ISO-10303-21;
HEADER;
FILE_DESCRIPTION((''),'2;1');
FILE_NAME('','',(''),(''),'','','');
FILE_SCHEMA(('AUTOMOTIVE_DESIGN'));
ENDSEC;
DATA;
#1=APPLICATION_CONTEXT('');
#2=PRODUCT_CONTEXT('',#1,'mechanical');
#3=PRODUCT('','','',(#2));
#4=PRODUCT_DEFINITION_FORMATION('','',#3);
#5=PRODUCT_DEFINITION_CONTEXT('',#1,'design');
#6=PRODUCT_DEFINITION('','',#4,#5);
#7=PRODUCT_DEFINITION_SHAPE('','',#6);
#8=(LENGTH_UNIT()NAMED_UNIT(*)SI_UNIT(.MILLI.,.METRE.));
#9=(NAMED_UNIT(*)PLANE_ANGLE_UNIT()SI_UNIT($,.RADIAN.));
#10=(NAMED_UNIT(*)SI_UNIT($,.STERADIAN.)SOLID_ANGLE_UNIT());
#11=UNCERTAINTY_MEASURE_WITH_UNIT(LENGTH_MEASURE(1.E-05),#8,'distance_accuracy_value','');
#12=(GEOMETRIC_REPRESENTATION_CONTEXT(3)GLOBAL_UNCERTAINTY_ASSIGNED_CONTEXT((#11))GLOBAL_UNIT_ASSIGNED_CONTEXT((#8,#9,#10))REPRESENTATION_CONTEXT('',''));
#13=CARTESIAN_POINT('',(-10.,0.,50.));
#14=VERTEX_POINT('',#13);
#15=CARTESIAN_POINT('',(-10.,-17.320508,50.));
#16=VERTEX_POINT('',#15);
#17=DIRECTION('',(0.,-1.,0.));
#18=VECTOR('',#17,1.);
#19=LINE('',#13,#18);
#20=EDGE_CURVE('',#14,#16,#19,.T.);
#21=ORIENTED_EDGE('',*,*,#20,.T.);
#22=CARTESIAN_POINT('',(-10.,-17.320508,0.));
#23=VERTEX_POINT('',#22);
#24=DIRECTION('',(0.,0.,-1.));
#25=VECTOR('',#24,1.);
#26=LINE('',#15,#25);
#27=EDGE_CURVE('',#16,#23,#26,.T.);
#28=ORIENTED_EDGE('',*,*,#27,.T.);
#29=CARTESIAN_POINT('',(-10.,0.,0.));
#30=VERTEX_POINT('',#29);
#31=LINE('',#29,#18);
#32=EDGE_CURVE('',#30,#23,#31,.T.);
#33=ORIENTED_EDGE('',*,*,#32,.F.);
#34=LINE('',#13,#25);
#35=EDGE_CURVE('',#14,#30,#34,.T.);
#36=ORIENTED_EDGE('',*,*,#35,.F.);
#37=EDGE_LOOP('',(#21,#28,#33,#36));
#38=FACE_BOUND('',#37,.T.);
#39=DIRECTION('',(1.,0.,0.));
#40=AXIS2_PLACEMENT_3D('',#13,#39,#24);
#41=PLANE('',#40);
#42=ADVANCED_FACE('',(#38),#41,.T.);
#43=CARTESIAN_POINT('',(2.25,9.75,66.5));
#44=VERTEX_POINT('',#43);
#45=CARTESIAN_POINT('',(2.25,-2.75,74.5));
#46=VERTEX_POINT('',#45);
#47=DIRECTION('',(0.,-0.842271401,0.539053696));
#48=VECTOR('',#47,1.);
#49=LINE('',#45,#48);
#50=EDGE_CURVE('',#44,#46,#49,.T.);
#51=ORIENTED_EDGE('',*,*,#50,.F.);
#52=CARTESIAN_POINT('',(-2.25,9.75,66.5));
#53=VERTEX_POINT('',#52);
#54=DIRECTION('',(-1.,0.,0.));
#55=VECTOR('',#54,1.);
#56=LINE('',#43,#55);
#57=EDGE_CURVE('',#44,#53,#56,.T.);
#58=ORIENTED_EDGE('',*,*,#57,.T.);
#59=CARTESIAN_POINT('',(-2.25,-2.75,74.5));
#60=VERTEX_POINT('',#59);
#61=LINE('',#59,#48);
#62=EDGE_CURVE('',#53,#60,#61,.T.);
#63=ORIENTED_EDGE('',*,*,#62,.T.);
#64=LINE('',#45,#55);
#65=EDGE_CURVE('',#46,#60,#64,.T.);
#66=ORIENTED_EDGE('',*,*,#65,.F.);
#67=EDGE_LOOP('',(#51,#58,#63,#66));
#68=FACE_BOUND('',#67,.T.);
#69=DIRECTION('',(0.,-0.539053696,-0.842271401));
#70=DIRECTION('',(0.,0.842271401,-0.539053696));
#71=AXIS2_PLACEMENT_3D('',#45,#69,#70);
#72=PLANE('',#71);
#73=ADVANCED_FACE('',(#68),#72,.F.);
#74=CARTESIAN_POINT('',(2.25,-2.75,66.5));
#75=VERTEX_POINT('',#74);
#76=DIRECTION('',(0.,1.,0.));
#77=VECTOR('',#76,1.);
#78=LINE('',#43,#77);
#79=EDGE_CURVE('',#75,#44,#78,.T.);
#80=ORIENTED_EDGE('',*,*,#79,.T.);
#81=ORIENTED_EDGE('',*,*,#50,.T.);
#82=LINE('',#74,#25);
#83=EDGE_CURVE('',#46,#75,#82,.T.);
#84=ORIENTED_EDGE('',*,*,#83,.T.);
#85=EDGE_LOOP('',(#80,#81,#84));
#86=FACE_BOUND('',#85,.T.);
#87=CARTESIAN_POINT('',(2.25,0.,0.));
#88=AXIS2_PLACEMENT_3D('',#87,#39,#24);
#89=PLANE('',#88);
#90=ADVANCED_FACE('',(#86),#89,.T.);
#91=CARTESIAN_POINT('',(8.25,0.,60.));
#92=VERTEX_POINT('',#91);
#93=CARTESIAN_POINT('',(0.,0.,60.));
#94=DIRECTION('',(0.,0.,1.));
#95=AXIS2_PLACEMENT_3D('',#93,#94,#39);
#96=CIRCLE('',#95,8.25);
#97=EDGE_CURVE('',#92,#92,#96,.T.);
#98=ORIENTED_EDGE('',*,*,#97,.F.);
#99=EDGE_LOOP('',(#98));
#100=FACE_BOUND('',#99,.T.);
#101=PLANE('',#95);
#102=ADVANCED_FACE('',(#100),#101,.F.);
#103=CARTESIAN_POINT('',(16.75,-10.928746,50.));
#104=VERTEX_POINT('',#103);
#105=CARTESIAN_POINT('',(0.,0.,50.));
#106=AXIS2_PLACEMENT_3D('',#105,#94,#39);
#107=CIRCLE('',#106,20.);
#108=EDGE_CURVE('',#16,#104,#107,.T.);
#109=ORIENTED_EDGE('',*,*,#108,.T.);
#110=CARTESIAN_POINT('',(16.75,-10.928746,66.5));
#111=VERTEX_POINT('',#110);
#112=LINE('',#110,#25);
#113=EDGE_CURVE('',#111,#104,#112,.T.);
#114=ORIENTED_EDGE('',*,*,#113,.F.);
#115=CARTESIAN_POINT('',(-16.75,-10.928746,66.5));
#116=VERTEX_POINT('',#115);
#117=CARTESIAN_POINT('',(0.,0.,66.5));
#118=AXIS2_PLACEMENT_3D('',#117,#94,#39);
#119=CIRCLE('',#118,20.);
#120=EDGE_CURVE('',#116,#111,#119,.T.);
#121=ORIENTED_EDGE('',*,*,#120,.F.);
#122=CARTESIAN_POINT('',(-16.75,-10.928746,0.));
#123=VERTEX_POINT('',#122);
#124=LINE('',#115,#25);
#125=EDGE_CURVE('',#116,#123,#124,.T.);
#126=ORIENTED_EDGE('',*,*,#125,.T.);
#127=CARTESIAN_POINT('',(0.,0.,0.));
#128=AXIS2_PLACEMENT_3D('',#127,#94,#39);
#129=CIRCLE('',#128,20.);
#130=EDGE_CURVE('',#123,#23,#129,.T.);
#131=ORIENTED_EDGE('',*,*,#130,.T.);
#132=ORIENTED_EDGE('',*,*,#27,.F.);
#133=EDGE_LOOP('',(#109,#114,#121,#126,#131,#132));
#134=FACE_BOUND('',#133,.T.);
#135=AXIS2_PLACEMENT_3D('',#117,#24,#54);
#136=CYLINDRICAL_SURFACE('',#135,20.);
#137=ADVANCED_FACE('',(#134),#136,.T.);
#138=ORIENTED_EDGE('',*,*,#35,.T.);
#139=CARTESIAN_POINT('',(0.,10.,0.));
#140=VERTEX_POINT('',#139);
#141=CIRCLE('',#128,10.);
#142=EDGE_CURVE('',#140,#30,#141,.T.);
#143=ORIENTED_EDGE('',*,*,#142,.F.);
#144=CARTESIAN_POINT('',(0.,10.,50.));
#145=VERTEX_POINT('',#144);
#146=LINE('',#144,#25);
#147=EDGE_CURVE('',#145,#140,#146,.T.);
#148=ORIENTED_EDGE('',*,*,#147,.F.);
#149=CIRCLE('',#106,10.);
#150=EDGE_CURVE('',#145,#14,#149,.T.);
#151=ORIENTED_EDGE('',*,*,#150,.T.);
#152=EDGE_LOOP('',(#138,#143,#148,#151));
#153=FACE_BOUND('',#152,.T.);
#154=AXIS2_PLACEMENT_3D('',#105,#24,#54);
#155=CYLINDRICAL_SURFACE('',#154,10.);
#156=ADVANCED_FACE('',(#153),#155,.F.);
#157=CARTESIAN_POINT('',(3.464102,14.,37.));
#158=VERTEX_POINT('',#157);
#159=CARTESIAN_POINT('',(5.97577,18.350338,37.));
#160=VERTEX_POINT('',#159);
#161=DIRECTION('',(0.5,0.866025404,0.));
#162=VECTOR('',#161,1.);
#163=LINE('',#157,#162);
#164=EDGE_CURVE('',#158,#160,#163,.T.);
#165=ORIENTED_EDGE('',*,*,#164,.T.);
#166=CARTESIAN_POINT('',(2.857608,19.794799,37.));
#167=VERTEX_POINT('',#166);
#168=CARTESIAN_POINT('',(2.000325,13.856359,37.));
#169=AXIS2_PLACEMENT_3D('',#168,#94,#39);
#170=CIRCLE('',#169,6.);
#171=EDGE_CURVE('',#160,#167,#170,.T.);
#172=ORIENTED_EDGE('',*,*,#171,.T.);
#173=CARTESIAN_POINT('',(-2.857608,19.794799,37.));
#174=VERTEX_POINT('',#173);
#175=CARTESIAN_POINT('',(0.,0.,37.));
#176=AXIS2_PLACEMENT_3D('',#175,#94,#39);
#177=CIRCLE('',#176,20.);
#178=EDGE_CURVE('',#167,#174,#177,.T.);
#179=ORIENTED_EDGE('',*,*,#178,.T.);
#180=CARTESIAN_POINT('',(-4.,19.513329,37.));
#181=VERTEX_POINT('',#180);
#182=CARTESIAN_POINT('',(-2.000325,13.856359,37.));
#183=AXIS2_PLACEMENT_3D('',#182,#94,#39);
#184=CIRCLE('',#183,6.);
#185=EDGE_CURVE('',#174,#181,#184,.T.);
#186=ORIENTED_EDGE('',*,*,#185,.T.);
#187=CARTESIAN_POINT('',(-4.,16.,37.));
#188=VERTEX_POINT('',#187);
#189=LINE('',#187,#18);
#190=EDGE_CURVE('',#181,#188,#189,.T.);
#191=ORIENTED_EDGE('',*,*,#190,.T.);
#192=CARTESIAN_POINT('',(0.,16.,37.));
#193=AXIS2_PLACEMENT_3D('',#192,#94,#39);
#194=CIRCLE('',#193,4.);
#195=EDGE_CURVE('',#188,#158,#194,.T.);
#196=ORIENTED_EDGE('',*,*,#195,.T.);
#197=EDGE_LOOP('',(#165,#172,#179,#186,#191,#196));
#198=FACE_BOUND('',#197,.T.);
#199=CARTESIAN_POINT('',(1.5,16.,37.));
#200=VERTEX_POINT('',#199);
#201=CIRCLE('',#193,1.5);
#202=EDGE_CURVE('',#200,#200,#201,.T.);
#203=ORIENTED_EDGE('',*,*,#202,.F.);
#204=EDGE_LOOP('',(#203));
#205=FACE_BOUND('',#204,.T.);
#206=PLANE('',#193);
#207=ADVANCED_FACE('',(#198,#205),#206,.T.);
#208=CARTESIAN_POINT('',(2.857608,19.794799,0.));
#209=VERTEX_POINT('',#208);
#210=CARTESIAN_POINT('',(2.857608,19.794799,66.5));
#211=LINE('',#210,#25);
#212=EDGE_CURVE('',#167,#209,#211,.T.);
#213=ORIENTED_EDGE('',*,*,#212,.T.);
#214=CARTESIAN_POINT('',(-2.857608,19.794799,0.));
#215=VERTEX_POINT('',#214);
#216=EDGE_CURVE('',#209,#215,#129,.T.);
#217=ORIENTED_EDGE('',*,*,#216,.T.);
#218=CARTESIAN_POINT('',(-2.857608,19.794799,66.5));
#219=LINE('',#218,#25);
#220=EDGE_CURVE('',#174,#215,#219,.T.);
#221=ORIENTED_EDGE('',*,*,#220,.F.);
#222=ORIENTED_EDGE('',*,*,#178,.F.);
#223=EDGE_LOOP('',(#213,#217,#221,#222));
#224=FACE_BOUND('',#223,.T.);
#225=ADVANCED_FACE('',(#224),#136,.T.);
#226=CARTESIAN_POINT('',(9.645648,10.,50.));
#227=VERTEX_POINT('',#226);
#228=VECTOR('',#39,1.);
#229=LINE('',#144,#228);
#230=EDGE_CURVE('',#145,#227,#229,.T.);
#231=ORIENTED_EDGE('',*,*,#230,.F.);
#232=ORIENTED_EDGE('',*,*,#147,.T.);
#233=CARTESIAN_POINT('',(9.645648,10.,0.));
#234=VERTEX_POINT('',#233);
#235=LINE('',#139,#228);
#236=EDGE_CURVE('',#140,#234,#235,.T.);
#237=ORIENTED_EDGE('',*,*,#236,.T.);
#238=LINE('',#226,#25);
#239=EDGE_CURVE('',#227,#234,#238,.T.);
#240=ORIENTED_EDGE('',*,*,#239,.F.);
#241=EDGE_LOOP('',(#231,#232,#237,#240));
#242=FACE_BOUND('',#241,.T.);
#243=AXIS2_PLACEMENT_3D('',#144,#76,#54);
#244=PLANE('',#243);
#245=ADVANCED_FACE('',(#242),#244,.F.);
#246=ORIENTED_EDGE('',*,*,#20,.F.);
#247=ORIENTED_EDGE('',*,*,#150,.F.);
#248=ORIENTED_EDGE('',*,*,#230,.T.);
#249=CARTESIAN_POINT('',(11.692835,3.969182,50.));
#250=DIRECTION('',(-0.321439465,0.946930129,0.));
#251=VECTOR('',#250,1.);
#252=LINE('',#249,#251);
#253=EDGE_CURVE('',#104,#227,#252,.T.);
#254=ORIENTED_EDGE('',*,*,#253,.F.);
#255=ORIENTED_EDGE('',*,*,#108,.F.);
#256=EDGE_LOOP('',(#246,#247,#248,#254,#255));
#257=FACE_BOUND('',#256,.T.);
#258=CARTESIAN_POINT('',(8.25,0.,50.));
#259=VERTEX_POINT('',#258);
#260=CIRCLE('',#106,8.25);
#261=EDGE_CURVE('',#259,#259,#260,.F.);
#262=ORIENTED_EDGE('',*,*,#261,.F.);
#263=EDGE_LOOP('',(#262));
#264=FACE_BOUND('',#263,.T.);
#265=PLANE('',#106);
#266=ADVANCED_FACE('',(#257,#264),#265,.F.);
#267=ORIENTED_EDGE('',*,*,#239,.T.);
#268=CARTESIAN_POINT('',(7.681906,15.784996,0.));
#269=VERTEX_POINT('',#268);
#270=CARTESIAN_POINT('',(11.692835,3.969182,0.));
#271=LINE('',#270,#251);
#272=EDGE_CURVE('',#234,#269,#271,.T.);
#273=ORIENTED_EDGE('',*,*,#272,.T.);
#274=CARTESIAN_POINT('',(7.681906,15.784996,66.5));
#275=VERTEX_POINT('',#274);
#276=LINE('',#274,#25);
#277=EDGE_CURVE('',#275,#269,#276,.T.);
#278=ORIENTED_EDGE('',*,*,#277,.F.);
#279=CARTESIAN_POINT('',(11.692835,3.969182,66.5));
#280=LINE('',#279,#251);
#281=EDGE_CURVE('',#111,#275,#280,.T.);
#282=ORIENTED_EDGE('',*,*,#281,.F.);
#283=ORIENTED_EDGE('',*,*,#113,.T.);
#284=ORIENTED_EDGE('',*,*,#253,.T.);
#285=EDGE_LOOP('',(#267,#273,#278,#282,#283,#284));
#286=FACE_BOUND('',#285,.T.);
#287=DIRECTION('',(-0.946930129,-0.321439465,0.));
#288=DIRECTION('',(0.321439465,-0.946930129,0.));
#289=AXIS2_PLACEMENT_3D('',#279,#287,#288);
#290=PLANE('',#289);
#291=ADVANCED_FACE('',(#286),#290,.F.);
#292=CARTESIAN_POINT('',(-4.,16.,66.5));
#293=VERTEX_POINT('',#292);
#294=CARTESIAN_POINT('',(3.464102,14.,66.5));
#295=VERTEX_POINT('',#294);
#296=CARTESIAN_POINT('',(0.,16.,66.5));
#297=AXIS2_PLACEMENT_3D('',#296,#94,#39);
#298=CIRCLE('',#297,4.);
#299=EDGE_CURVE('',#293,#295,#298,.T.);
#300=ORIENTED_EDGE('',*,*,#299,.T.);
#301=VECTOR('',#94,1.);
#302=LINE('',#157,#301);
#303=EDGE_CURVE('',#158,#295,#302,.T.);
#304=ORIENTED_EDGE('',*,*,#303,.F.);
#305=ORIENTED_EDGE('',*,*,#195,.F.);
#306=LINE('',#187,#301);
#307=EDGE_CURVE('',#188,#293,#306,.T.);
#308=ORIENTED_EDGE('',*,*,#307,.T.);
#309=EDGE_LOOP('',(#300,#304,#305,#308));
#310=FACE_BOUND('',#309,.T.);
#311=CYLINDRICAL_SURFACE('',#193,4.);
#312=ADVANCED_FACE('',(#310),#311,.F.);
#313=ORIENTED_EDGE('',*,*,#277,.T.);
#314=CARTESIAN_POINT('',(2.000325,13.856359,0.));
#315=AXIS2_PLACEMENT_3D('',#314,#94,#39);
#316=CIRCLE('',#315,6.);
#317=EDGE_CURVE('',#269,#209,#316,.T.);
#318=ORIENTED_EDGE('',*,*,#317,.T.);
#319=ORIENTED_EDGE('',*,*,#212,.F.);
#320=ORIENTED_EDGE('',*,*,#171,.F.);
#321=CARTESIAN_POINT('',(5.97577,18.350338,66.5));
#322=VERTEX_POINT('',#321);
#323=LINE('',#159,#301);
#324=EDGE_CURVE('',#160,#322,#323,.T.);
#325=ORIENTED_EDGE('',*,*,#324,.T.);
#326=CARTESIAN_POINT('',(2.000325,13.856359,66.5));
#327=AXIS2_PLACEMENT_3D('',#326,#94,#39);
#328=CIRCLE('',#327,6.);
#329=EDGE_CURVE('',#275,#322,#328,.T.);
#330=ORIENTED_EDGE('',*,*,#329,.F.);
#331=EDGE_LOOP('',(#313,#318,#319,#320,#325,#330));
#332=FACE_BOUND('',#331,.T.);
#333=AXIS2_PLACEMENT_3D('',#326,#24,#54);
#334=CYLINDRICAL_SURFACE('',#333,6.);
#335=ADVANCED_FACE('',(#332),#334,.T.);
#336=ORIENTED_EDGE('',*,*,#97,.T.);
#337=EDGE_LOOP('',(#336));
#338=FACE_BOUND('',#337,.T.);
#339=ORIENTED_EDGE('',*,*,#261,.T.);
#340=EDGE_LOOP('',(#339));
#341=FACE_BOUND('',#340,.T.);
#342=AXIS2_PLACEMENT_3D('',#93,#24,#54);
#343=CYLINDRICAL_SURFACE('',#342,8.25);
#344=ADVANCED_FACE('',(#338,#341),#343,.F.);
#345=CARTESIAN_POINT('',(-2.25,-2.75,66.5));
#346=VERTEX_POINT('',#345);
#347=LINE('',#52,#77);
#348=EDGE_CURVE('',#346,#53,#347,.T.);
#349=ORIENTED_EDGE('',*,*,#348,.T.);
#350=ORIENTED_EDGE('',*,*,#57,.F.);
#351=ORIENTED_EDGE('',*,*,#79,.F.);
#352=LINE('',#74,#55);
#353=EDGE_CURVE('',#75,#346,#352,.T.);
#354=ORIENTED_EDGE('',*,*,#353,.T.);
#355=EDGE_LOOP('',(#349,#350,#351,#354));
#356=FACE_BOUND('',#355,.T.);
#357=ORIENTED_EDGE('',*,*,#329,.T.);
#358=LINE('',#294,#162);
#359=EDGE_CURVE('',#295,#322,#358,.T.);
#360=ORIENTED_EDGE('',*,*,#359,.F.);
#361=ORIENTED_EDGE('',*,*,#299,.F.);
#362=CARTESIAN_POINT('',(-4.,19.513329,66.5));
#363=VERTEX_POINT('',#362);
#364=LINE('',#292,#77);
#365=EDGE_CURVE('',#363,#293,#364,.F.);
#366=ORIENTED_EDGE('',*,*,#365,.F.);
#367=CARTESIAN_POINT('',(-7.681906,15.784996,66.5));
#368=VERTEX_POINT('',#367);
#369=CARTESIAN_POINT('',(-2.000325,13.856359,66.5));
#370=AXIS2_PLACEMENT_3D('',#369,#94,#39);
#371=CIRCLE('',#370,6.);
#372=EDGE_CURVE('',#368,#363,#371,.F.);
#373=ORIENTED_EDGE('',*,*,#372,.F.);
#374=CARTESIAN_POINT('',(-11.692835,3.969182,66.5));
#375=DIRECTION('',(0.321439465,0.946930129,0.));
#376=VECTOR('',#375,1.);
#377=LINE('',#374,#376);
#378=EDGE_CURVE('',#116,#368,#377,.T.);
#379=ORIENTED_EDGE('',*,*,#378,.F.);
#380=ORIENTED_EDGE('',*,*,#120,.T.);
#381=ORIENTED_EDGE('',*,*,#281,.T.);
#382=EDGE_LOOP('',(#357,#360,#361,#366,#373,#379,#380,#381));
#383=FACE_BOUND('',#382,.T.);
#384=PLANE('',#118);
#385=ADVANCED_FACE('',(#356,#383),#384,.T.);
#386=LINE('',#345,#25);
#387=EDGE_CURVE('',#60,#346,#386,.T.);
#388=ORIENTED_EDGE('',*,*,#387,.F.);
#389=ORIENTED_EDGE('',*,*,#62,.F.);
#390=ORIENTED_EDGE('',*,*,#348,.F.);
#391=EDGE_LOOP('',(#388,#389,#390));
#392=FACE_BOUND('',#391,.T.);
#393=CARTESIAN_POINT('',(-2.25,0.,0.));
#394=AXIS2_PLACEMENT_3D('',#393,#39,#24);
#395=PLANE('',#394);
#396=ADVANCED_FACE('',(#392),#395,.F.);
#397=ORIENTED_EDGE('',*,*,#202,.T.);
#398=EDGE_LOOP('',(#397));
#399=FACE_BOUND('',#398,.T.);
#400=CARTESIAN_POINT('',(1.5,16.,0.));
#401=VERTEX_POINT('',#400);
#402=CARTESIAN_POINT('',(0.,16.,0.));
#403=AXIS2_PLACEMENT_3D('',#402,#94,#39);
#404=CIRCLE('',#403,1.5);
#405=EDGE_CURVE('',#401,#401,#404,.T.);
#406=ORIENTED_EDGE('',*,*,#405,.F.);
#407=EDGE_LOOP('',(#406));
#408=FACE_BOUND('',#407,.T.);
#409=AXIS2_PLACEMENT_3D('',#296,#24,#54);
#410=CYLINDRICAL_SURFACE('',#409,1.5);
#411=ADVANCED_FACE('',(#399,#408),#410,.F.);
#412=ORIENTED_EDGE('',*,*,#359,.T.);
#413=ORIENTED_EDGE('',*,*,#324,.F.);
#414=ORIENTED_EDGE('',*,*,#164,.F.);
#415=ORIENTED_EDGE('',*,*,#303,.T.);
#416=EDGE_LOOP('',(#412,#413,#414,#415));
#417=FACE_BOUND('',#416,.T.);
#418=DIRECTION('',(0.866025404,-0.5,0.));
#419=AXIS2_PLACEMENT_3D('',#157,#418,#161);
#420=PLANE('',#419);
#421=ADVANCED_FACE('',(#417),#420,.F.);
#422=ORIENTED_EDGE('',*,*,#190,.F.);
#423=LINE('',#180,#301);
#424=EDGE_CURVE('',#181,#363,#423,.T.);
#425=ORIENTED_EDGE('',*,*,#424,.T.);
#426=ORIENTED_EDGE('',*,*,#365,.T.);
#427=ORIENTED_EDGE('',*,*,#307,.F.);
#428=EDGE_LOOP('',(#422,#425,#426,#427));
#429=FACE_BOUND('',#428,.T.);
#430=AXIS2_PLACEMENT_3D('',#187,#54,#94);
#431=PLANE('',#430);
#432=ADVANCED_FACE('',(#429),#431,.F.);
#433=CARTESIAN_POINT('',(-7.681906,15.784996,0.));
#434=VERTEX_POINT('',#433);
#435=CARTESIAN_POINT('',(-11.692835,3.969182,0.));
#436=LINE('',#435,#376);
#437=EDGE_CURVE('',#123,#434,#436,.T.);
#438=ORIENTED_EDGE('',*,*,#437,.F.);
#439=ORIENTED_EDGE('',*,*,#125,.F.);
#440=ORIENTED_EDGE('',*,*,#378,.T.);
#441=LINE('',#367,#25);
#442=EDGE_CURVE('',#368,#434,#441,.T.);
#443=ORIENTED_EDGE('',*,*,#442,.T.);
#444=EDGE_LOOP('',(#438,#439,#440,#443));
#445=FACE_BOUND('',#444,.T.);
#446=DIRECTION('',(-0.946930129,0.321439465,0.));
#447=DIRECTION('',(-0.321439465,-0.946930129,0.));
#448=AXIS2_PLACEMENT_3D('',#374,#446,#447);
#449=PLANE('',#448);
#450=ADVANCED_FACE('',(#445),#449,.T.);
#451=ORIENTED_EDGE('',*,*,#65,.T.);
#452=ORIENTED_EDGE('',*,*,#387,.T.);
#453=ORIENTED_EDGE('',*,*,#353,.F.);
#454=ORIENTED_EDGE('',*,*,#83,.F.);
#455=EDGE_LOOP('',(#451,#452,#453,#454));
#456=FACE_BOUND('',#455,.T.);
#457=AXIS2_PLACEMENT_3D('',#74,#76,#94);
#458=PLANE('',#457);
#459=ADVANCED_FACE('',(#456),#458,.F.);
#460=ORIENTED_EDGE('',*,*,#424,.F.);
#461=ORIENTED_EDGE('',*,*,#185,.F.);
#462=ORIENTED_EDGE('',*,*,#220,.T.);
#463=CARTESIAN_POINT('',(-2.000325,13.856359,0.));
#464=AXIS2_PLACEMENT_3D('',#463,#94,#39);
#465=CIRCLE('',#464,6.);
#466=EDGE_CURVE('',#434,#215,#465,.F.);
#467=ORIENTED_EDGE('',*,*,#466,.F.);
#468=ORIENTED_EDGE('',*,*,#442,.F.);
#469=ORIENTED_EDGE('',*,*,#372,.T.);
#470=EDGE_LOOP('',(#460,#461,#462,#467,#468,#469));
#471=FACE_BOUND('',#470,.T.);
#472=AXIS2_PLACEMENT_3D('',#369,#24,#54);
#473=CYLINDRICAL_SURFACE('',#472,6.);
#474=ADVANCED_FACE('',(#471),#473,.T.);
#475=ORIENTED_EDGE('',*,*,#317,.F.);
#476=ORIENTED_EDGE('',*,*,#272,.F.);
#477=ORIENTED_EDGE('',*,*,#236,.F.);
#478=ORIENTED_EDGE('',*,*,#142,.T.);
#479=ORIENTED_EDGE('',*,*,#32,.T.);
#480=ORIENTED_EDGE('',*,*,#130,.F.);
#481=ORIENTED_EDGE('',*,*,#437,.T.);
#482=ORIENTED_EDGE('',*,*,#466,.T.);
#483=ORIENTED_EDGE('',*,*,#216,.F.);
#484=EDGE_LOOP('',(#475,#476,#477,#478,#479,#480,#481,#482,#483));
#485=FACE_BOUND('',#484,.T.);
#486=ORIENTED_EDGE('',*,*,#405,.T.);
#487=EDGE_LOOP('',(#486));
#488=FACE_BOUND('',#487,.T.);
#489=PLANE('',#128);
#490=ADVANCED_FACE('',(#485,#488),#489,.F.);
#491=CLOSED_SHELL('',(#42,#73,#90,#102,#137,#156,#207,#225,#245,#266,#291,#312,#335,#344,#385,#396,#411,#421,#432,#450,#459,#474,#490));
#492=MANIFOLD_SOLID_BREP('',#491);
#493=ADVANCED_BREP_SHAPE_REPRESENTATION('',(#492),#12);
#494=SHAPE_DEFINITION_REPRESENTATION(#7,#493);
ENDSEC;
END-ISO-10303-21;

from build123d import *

# Parameters (mm, degrees)
SKETCH_1_R               = 1.5
EXTRUDE_1_DEPTH          = 66.5
CUT_EXTRUDE_1_DEPTH      = 72.43397301
CUT_EXTRUDE_1_DEPTH_BACK = 29.5
CUT_EXTRUDE_2_DEPTH      = 50
SKETCH_1_4_R             = 8.25
CUT_EXTRUDE_3_DEPTH      = 60
EXTRUDE_2_DEPTH          = 2.25


with BuildPart() as part:
    # 草图1 → 凸台-拉伸1 (new body)
    with BuildSketch(Plane.XY):
        with BuildLine():
            Line((-7.681906247, 15.784996271), (-16.75, -10.928746497))
            ThreePointArc((-16.75, -10.928746497), (0, -20), (16.75, -10.928746497))
            Line((16.75, -10.928746497), (7.681906247, 15.784996271))
            ThreePointArc((7.681906247, 15.784996271), (5.835532469, 18.470596932), (2.857607815, 19.794799256))
            ThreePointArc((2.857607815, 19.794799256), (0, 20), (-2.857607815, 19.794799256))
            ThreePointArc((-2.857607815, 19.794799256), (-5.835532469, 18.470596932), (-7.681906247, 15.784996271))
        make_face()
        with Locations((0, 16)):
            Circle(SKETCH_1_R, mode=Mode.SUBTRACT)
    extrude(amount=EXTRUDE_1_DEPTH)

    # 草图2 → 切除-拉伸1 (cut, two sides: drawn at the far end of the back side and taken through both)
    with BuildSketch(Plane.XY.offset(66.5).offset(-CUT_EXTRUDE_1_DEPTH_BACK)):
        with BuildLine():
            Line((3.464101615, 14), (5.975770193, 18.350337589))
            ThreePointArc((5.975770193, 18.350337589), (4.522314785, 19.300583014), (2.857607815, 19.794799256))
            ThreePointArc((2.857607815, 19.794799256), (0, 20), (-2.857607815, 19.794799256))
            ThreePointArc((-2.857607815, 19.794799256), (-3.435719859, 19.682133501), (-4, 19.513328789))
            Line((-4, 19.513328789), (-4, 16))
            ThreePointArc((-4, 16), (-1.03527618, 12.136296695), (3.464101615, 14))
        make_face()
    extrude(amount=CUT_EXTRUDE_1_DEPTH + CUT_EXTRUDE_1_DEPTH_BACK, mode=Mode.SUBTRACT)

    # 草图1<3> → 切除-拉伸2 (cut)
    with BuildSketch(Plane.XY):
        with BuildLine():
            Line((-10, 0), (-10, -17.320508076))
            ThreePointArc((-10, -17.320508076), (4.648040342, -19.452396279), (16.75, -10.928746497))
            Line((16.75, -10.928746497), (9.645647869, 10))
            Line((9.645647869, 10), (0, 10))
            ThreePointArc((0, 10), (-7.071067812, 7.071067812), (-10, 0))
        make_face()
    extrude(amount=CUT_EXTRUDE_2_DEPTH, mode=Mode.SUBTRACT)

    # 草图1<4> → 切除-拉伸3 (cut)
    with BuildSketch(Plane.XY):
        Circle(SKETCH_1_4_R)
    extrude(amount=CUT_EXTRUDE_3_DEPTH, mode=Mode.SUBTRACT)

    # 草图3 → 凸台-拉伸2 (add, symmetric)
    with BuildSketch(Plane(origin=(0, 0, 0), x_dir=(0, 0, -1), z_dir=(1, 0, 0))):
        Polygon((-66.5, 9.75), (-66.5, -2.75), (-74.5, -2.75), align=None)
    extrude(amount=EXTRUDE_2_DEPTH, both=True)


solid = part.part
